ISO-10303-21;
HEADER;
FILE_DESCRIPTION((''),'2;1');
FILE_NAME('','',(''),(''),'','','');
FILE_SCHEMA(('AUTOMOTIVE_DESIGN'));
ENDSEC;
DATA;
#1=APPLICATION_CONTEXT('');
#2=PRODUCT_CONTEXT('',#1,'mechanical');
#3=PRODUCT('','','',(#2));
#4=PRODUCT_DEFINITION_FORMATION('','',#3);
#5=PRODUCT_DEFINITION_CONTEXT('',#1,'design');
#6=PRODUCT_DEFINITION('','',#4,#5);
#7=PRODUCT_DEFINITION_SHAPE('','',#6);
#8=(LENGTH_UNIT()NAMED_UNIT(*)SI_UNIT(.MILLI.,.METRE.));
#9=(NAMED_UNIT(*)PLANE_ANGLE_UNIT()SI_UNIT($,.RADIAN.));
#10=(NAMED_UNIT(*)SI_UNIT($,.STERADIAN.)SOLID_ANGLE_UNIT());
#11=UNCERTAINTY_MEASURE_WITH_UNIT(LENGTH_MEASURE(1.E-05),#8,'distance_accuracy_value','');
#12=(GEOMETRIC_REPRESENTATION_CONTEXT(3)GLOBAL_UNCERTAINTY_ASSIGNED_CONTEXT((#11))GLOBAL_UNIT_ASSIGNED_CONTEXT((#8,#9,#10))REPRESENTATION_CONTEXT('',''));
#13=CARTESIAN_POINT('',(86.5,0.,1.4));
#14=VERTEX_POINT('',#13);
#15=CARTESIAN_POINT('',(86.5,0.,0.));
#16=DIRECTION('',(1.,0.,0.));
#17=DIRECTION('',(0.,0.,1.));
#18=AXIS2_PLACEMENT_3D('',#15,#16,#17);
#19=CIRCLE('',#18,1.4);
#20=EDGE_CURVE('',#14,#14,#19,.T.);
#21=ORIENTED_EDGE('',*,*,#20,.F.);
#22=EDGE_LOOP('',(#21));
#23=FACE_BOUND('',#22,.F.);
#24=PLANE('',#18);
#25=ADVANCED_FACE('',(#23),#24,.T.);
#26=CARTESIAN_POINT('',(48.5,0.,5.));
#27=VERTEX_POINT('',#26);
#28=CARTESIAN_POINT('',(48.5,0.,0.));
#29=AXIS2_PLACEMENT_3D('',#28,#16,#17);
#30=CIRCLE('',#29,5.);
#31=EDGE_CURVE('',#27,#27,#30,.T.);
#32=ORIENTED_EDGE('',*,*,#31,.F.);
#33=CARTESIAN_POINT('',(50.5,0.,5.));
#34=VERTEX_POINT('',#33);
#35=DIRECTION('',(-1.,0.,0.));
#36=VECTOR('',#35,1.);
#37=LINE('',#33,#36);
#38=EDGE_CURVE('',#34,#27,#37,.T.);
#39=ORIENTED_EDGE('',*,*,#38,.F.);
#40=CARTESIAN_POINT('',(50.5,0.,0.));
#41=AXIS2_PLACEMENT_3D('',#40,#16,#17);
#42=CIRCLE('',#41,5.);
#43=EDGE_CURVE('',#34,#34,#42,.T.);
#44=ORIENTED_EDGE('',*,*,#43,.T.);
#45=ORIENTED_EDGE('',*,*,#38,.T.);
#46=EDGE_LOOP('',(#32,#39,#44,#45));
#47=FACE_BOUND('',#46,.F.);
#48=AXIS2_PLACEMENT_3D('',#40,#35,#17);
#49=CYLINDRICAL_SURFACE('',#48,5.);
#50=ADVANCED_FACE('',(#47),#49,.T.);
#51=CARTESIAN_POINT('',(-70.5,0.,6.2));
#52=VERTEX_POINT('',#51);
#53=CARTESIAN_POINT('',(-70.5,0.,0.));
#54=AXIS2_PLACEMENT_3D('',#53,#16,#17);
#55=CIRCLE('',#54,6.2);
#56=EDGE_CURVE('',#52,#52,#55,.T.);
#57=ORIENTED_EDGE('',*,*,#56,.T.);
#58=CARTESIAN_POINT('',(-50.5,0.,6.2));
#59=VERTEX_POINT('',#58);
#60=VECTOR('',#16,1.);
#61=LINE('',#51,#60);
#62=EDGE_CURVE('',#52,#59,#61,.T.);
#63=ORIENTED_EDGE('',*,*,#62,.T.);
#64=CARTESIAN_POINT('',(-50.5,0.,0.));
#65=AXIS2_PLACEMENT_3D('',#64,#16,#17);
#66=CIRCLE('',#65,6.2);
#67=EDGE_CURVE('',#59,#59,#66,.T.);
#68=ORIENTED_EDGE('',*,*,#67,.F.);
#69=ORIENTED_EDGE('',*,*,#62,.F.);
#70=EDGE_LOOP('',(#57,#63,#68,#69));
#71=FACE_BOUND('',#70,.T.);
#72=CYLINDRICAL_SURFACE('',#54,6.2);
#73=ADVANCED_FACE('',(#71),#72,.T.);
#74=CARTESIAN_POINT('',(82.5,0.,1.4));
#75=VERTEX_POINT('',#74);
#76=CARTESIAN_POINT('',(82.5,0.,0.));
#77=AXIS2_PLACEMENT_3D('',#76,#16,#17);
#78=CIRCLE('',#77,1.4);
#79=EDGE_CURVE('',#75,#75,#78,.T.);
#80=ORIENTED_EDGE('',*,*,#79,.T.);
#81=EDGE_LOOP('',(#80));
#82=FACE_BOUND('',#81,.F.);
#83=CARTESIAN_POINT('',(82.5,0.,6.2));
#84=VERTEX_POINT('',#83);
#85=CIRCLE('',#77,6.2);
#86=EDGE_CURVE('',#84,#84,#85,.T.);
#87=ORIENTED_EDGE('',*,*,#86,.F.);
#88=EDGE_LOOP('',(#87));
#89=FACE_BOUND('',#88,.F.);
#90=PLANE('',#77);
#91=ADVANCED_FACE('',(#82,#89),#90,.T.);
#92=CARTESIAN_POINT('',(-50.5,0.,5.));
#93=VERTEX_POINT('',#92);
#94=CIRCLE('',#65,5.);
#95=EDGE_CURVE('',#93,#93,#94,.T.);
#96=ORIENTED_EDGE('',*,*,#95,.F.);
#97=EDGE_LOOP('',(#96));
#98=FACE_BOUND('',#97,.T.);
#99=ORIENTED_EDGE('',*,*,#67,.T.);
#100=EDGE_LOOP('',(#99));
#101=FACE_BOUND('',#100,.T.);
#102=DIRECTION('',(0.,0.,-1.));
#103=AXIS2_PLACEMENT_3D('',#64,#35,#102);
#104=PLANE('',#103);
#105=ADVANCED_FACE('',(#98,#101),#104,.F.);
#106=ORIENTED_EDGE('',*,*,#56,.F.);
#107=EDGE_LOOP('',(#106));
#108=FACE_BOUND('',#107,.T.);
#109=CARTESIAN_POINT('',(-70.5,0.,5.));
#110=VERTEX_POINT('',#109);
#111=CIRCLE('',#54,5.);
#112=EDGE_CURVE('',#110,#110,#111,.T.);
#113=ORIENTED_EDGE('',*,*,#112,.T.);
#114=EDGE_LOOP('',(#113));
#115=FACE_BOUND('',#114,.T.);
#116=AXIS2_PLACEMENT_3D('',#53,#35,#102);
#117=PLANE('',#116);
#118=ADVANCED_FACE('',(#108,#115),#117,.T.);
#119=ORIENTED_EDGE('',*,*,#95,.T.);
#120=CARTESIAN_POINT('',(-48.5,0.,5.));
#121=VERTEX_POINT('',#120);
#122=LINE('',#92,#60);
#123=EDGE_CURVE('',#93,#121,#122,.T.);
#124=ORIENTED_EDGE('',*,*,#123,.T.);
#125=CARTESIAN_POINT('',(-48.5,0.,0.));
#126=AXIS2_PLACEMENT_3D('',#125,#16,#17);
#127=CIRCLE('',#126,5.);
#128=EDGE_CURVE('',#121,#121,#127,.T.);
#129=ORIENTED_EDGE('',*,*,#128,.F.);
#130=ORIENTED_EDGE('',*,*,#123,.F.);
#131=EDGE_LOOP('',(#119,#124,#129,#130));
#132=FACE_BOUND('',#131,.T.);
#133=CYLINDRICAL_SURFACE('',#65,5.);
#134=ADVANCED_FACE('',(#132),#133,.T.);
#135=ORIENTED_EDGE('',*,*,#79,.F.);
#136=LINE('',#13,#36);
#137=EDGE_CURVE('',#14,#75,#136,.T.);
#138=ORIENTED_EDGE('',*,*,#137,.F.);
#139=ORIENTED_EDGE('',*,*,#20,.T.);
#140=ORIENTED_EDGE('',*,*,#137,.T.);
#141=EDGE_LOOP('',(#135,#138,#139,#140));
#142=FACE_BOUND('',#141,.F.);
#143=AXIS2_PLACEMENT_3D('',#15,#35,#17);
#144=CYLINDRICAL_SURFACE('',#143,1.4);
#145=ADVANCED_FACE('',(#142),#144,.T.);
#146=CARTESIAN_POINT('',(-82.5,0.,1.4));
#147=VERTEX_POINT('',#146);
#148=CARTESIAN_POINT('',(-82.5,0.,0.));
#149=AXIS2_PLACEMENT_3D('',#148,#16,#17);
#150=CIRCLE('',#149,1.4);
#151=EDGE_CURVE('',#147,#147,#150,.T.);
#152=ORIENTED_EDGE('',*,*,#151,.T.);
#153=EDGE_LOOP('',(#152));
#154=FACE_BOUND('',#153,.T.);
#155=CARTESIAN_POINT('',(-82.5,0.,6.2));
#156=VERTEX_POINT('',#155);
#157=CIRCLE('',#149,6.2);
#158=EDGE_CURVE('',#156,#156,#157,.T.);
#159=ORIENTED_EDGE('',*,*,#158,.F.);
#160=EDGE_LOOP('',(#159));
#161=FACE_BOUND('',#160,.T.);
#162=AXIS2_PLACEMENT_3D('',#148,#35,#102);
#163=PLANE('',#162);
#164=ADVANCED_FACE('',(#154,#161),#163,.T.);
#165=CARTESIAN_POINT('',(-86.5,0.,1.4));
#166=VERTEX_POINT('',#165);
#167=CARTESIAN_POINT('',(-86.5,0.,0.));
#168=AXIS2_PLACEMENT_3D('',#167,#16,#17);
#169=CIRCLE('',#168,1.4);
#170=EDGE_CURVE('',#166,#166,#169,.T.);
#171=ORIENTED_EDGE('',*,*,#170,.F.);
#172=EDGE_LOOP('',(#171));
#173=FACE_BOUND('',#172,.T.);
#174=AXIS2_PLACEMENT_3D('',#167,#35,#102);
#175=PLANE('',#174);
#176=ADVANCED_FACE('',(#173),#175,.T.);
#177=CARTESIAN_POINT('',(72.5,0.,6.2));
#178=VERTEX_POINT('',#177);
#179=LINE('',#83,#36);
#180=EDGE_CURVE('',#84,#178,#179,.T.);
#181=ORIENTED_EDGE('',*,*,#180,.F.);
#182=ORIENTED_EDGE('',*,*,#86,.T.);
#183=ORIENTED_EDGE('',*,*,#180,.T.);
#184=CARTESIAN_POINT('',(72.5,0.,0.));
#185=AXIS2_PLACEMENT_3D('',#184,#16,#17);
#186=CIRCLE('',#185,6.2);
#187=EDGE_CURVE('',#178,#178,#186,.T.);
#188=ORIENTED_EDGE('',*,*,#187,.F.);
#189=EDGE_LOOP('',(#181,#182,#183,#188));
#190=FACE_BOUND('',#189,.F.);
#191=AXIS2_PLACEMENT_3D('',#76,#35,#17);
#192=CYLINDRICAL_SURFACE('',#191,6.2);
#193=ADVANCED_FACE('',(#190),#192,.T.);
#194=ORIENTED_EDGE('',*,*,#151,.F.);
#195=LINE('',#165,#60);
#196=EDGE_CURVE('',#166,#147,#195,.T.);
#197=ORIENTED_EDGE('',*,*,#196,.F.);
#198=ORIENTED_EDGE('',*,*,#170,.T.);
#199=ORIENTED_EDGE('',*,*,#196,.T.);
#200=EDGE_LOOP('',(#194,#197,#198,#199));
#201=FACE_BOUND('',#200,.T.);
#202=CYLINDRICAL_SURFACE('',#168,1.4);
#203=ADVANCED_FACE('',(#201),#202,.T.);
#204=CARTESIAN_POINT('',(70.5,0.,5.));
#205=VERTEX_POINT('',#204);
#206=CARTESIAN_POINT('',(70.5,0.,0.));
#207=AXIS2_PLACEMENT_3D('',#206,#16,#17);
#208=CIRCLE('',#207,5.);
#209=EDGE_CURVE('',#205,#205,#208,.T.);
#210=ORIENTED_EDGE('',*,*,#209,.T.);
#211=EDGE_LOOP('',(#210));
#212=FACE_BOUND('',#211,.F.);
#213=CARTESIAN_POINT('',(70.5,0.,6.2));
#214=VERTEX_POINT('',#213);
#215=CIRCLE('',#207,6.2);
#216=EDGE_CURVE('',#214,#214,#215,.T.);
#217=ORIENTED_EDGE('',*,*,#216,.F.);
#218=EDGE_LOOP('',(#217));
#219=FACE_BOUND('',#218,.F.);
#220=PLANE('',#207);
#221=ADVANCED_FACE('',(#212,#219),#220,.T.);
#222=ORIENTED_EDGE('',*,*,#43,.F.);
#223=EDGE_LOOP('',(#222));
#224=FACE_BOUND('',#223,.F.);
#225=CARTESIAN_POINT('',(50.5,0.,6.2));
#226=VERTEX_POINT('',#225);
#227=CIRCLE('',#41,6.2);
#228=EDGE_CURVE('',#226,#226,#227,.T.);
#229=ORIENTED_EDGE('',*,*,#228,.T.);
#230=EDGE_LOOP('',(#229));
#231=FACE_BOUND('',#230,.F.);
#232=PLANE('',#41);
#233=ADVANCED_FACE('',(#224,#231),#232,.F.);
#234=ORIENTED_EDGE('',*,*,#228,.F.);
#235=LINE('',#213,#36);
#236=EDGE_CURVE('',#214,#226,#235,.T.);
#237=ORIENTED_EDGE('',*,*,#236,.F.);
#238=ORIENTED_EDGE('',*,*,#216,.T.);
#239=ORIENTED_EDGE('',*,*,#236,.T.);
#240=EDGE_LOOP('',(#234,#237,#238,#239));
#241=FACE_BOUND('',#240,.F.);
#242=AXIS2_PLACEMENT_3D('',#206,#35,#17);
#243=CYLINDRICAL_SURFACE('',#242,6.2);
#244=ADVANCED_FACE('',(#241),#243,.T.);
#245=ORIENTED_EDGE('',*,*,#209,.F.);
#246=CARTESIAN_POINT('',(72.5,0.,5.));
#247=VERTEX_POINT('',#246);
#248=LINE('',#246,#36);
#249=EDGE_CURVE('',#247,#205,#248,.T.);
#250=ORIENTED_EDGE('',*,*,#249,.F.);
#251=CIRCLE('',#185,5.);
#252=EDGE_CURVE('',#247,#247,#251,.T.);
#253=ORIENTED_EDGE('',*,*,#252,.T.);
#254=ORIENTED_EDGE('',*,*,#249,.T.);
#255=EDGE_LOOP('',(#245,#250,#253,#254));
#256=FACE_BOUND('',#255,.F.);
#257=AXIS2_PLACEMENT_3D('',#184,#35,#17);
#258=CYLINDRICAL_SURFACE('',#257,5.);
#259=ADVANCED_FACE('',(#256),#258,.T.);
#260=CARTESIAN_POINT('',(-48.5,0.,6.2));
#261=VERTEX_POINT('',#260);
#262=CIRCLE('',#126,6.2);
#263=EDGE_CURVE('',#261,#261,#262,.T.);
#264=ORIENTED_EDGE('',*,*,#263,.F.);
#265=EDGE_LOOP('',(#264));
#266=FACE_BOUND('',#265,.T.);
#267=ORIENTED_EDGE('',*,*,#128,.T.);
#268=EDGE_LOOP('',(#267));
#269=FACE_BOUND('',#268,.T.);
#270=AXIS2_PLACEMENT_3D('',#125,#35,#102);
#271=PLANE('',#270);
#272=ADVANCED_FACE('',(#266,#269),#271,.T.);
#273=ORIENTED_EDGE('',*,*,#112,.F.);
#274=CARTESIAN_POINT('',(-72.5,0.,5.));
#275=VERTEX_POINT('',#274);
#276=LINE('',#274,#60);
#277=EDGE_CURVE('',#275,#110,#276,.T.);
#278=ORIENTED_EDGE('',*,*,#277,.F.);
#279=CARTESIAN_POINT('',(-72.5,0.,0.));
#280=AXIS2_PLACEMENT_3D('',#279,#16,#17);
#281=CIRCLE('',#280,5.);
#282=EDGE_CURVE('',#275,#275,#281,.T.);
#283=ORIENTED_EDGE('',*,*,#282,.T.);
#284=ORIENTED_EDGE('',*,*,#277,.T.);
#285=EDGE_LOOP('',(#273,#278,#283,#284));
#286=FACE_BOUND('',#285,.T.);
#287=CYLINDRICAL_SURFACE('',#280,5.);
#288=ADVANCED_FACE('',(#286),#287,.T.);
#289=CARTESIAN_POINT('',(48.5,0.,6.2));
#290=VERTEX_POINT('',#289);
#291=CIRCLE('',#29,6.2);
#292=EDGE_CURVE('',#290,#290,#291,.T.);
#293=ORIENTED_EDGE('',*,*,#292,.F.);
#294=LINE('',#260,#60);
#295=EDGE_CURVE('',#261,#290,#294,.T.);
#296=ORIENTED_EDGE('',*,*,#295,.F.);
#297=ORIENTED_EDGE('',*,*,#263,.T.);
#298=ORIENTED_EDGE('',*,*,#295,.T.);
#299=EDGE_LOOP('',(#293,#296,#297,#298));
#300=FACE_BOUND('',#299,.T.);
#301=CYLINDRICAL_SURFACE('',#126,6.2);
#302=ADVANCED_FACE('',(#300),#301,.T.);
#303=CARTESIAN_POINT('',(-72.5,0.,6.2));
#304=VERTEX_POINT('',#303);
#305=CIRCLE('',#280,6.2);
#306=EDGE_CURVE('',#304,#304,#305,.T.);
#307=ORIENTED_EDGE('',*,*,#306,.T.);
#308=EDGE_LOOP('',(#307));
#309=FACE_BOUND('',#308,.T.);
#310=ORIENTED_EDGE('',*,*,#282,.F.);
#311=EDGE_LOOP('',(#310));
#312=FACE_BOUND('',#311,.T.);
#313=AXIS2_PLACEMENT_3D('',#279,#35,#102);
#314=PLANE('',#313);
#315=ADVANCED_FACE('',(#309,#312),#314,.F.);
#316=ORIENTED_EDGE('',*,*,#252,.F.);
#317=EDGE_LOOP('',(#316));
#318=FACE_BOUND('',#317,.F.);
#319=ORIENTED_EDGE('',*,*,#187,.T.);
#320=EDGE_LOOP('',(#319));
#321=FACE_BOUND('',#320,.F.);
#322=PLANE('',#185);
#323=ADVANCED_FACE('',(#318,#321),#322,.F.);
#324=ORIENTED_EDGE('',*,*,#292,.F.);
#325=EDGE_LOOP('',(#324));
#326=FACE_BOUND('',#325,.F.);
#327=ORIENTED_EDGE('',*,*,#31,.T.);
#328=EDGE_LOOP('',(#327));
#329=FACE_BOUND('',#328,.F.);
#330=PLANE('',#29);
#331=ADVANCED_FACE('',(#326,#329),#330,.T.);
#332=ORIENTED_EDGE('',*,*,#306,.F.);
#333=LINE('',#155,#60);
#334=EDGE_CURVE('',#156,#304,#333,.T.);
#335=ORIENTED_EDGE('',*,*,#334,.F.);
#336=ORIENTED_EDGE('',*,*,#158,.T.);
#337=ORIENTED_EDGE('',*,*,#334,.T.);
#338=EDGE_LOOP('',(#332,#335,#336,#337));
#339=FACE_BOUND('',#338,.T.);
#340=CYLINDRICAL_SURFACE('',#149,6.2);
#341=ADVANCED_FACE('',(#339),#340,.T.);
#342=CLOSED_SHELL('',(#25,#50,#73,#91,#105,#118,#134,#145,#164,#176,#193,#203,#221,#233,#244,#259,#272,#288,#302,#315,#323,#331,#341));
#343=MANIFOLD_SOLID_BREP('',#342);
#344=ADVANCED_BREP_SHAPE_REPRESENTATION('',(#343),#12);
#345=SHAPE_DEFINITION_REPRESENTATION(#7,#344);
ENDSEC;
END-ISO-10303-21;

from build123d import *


with BuildPart() as f1:
    # F0 (on Front) → F1 (revolve)
    with BuildSketch(Plane.XZ):
        Polygon((0, 6.2), (0, 0), (86.5, 0), (86.5, 1.4), (82.5, 1.4), (82.5, 6.2), (72.5, 6.2), (72.5, 5), (70.5, 5), (70.5, 6.2), (50.5, 6.2), (50.5, 5), (48.5, 5), (48.5, 6.2), align=None)
    revolve(axis=Axis((43.25, 0, 0), (1, 0, 0)))

    # F2: F1 across face


with BuildPart() as f1_1:
    add(f1.part)
    add(f1.part.mirror(Plane(origin=(0, 0, 0), x_dir=(0, -1, 0), z_dir=(-1, 0, 0))))


solid = f1_1.part
